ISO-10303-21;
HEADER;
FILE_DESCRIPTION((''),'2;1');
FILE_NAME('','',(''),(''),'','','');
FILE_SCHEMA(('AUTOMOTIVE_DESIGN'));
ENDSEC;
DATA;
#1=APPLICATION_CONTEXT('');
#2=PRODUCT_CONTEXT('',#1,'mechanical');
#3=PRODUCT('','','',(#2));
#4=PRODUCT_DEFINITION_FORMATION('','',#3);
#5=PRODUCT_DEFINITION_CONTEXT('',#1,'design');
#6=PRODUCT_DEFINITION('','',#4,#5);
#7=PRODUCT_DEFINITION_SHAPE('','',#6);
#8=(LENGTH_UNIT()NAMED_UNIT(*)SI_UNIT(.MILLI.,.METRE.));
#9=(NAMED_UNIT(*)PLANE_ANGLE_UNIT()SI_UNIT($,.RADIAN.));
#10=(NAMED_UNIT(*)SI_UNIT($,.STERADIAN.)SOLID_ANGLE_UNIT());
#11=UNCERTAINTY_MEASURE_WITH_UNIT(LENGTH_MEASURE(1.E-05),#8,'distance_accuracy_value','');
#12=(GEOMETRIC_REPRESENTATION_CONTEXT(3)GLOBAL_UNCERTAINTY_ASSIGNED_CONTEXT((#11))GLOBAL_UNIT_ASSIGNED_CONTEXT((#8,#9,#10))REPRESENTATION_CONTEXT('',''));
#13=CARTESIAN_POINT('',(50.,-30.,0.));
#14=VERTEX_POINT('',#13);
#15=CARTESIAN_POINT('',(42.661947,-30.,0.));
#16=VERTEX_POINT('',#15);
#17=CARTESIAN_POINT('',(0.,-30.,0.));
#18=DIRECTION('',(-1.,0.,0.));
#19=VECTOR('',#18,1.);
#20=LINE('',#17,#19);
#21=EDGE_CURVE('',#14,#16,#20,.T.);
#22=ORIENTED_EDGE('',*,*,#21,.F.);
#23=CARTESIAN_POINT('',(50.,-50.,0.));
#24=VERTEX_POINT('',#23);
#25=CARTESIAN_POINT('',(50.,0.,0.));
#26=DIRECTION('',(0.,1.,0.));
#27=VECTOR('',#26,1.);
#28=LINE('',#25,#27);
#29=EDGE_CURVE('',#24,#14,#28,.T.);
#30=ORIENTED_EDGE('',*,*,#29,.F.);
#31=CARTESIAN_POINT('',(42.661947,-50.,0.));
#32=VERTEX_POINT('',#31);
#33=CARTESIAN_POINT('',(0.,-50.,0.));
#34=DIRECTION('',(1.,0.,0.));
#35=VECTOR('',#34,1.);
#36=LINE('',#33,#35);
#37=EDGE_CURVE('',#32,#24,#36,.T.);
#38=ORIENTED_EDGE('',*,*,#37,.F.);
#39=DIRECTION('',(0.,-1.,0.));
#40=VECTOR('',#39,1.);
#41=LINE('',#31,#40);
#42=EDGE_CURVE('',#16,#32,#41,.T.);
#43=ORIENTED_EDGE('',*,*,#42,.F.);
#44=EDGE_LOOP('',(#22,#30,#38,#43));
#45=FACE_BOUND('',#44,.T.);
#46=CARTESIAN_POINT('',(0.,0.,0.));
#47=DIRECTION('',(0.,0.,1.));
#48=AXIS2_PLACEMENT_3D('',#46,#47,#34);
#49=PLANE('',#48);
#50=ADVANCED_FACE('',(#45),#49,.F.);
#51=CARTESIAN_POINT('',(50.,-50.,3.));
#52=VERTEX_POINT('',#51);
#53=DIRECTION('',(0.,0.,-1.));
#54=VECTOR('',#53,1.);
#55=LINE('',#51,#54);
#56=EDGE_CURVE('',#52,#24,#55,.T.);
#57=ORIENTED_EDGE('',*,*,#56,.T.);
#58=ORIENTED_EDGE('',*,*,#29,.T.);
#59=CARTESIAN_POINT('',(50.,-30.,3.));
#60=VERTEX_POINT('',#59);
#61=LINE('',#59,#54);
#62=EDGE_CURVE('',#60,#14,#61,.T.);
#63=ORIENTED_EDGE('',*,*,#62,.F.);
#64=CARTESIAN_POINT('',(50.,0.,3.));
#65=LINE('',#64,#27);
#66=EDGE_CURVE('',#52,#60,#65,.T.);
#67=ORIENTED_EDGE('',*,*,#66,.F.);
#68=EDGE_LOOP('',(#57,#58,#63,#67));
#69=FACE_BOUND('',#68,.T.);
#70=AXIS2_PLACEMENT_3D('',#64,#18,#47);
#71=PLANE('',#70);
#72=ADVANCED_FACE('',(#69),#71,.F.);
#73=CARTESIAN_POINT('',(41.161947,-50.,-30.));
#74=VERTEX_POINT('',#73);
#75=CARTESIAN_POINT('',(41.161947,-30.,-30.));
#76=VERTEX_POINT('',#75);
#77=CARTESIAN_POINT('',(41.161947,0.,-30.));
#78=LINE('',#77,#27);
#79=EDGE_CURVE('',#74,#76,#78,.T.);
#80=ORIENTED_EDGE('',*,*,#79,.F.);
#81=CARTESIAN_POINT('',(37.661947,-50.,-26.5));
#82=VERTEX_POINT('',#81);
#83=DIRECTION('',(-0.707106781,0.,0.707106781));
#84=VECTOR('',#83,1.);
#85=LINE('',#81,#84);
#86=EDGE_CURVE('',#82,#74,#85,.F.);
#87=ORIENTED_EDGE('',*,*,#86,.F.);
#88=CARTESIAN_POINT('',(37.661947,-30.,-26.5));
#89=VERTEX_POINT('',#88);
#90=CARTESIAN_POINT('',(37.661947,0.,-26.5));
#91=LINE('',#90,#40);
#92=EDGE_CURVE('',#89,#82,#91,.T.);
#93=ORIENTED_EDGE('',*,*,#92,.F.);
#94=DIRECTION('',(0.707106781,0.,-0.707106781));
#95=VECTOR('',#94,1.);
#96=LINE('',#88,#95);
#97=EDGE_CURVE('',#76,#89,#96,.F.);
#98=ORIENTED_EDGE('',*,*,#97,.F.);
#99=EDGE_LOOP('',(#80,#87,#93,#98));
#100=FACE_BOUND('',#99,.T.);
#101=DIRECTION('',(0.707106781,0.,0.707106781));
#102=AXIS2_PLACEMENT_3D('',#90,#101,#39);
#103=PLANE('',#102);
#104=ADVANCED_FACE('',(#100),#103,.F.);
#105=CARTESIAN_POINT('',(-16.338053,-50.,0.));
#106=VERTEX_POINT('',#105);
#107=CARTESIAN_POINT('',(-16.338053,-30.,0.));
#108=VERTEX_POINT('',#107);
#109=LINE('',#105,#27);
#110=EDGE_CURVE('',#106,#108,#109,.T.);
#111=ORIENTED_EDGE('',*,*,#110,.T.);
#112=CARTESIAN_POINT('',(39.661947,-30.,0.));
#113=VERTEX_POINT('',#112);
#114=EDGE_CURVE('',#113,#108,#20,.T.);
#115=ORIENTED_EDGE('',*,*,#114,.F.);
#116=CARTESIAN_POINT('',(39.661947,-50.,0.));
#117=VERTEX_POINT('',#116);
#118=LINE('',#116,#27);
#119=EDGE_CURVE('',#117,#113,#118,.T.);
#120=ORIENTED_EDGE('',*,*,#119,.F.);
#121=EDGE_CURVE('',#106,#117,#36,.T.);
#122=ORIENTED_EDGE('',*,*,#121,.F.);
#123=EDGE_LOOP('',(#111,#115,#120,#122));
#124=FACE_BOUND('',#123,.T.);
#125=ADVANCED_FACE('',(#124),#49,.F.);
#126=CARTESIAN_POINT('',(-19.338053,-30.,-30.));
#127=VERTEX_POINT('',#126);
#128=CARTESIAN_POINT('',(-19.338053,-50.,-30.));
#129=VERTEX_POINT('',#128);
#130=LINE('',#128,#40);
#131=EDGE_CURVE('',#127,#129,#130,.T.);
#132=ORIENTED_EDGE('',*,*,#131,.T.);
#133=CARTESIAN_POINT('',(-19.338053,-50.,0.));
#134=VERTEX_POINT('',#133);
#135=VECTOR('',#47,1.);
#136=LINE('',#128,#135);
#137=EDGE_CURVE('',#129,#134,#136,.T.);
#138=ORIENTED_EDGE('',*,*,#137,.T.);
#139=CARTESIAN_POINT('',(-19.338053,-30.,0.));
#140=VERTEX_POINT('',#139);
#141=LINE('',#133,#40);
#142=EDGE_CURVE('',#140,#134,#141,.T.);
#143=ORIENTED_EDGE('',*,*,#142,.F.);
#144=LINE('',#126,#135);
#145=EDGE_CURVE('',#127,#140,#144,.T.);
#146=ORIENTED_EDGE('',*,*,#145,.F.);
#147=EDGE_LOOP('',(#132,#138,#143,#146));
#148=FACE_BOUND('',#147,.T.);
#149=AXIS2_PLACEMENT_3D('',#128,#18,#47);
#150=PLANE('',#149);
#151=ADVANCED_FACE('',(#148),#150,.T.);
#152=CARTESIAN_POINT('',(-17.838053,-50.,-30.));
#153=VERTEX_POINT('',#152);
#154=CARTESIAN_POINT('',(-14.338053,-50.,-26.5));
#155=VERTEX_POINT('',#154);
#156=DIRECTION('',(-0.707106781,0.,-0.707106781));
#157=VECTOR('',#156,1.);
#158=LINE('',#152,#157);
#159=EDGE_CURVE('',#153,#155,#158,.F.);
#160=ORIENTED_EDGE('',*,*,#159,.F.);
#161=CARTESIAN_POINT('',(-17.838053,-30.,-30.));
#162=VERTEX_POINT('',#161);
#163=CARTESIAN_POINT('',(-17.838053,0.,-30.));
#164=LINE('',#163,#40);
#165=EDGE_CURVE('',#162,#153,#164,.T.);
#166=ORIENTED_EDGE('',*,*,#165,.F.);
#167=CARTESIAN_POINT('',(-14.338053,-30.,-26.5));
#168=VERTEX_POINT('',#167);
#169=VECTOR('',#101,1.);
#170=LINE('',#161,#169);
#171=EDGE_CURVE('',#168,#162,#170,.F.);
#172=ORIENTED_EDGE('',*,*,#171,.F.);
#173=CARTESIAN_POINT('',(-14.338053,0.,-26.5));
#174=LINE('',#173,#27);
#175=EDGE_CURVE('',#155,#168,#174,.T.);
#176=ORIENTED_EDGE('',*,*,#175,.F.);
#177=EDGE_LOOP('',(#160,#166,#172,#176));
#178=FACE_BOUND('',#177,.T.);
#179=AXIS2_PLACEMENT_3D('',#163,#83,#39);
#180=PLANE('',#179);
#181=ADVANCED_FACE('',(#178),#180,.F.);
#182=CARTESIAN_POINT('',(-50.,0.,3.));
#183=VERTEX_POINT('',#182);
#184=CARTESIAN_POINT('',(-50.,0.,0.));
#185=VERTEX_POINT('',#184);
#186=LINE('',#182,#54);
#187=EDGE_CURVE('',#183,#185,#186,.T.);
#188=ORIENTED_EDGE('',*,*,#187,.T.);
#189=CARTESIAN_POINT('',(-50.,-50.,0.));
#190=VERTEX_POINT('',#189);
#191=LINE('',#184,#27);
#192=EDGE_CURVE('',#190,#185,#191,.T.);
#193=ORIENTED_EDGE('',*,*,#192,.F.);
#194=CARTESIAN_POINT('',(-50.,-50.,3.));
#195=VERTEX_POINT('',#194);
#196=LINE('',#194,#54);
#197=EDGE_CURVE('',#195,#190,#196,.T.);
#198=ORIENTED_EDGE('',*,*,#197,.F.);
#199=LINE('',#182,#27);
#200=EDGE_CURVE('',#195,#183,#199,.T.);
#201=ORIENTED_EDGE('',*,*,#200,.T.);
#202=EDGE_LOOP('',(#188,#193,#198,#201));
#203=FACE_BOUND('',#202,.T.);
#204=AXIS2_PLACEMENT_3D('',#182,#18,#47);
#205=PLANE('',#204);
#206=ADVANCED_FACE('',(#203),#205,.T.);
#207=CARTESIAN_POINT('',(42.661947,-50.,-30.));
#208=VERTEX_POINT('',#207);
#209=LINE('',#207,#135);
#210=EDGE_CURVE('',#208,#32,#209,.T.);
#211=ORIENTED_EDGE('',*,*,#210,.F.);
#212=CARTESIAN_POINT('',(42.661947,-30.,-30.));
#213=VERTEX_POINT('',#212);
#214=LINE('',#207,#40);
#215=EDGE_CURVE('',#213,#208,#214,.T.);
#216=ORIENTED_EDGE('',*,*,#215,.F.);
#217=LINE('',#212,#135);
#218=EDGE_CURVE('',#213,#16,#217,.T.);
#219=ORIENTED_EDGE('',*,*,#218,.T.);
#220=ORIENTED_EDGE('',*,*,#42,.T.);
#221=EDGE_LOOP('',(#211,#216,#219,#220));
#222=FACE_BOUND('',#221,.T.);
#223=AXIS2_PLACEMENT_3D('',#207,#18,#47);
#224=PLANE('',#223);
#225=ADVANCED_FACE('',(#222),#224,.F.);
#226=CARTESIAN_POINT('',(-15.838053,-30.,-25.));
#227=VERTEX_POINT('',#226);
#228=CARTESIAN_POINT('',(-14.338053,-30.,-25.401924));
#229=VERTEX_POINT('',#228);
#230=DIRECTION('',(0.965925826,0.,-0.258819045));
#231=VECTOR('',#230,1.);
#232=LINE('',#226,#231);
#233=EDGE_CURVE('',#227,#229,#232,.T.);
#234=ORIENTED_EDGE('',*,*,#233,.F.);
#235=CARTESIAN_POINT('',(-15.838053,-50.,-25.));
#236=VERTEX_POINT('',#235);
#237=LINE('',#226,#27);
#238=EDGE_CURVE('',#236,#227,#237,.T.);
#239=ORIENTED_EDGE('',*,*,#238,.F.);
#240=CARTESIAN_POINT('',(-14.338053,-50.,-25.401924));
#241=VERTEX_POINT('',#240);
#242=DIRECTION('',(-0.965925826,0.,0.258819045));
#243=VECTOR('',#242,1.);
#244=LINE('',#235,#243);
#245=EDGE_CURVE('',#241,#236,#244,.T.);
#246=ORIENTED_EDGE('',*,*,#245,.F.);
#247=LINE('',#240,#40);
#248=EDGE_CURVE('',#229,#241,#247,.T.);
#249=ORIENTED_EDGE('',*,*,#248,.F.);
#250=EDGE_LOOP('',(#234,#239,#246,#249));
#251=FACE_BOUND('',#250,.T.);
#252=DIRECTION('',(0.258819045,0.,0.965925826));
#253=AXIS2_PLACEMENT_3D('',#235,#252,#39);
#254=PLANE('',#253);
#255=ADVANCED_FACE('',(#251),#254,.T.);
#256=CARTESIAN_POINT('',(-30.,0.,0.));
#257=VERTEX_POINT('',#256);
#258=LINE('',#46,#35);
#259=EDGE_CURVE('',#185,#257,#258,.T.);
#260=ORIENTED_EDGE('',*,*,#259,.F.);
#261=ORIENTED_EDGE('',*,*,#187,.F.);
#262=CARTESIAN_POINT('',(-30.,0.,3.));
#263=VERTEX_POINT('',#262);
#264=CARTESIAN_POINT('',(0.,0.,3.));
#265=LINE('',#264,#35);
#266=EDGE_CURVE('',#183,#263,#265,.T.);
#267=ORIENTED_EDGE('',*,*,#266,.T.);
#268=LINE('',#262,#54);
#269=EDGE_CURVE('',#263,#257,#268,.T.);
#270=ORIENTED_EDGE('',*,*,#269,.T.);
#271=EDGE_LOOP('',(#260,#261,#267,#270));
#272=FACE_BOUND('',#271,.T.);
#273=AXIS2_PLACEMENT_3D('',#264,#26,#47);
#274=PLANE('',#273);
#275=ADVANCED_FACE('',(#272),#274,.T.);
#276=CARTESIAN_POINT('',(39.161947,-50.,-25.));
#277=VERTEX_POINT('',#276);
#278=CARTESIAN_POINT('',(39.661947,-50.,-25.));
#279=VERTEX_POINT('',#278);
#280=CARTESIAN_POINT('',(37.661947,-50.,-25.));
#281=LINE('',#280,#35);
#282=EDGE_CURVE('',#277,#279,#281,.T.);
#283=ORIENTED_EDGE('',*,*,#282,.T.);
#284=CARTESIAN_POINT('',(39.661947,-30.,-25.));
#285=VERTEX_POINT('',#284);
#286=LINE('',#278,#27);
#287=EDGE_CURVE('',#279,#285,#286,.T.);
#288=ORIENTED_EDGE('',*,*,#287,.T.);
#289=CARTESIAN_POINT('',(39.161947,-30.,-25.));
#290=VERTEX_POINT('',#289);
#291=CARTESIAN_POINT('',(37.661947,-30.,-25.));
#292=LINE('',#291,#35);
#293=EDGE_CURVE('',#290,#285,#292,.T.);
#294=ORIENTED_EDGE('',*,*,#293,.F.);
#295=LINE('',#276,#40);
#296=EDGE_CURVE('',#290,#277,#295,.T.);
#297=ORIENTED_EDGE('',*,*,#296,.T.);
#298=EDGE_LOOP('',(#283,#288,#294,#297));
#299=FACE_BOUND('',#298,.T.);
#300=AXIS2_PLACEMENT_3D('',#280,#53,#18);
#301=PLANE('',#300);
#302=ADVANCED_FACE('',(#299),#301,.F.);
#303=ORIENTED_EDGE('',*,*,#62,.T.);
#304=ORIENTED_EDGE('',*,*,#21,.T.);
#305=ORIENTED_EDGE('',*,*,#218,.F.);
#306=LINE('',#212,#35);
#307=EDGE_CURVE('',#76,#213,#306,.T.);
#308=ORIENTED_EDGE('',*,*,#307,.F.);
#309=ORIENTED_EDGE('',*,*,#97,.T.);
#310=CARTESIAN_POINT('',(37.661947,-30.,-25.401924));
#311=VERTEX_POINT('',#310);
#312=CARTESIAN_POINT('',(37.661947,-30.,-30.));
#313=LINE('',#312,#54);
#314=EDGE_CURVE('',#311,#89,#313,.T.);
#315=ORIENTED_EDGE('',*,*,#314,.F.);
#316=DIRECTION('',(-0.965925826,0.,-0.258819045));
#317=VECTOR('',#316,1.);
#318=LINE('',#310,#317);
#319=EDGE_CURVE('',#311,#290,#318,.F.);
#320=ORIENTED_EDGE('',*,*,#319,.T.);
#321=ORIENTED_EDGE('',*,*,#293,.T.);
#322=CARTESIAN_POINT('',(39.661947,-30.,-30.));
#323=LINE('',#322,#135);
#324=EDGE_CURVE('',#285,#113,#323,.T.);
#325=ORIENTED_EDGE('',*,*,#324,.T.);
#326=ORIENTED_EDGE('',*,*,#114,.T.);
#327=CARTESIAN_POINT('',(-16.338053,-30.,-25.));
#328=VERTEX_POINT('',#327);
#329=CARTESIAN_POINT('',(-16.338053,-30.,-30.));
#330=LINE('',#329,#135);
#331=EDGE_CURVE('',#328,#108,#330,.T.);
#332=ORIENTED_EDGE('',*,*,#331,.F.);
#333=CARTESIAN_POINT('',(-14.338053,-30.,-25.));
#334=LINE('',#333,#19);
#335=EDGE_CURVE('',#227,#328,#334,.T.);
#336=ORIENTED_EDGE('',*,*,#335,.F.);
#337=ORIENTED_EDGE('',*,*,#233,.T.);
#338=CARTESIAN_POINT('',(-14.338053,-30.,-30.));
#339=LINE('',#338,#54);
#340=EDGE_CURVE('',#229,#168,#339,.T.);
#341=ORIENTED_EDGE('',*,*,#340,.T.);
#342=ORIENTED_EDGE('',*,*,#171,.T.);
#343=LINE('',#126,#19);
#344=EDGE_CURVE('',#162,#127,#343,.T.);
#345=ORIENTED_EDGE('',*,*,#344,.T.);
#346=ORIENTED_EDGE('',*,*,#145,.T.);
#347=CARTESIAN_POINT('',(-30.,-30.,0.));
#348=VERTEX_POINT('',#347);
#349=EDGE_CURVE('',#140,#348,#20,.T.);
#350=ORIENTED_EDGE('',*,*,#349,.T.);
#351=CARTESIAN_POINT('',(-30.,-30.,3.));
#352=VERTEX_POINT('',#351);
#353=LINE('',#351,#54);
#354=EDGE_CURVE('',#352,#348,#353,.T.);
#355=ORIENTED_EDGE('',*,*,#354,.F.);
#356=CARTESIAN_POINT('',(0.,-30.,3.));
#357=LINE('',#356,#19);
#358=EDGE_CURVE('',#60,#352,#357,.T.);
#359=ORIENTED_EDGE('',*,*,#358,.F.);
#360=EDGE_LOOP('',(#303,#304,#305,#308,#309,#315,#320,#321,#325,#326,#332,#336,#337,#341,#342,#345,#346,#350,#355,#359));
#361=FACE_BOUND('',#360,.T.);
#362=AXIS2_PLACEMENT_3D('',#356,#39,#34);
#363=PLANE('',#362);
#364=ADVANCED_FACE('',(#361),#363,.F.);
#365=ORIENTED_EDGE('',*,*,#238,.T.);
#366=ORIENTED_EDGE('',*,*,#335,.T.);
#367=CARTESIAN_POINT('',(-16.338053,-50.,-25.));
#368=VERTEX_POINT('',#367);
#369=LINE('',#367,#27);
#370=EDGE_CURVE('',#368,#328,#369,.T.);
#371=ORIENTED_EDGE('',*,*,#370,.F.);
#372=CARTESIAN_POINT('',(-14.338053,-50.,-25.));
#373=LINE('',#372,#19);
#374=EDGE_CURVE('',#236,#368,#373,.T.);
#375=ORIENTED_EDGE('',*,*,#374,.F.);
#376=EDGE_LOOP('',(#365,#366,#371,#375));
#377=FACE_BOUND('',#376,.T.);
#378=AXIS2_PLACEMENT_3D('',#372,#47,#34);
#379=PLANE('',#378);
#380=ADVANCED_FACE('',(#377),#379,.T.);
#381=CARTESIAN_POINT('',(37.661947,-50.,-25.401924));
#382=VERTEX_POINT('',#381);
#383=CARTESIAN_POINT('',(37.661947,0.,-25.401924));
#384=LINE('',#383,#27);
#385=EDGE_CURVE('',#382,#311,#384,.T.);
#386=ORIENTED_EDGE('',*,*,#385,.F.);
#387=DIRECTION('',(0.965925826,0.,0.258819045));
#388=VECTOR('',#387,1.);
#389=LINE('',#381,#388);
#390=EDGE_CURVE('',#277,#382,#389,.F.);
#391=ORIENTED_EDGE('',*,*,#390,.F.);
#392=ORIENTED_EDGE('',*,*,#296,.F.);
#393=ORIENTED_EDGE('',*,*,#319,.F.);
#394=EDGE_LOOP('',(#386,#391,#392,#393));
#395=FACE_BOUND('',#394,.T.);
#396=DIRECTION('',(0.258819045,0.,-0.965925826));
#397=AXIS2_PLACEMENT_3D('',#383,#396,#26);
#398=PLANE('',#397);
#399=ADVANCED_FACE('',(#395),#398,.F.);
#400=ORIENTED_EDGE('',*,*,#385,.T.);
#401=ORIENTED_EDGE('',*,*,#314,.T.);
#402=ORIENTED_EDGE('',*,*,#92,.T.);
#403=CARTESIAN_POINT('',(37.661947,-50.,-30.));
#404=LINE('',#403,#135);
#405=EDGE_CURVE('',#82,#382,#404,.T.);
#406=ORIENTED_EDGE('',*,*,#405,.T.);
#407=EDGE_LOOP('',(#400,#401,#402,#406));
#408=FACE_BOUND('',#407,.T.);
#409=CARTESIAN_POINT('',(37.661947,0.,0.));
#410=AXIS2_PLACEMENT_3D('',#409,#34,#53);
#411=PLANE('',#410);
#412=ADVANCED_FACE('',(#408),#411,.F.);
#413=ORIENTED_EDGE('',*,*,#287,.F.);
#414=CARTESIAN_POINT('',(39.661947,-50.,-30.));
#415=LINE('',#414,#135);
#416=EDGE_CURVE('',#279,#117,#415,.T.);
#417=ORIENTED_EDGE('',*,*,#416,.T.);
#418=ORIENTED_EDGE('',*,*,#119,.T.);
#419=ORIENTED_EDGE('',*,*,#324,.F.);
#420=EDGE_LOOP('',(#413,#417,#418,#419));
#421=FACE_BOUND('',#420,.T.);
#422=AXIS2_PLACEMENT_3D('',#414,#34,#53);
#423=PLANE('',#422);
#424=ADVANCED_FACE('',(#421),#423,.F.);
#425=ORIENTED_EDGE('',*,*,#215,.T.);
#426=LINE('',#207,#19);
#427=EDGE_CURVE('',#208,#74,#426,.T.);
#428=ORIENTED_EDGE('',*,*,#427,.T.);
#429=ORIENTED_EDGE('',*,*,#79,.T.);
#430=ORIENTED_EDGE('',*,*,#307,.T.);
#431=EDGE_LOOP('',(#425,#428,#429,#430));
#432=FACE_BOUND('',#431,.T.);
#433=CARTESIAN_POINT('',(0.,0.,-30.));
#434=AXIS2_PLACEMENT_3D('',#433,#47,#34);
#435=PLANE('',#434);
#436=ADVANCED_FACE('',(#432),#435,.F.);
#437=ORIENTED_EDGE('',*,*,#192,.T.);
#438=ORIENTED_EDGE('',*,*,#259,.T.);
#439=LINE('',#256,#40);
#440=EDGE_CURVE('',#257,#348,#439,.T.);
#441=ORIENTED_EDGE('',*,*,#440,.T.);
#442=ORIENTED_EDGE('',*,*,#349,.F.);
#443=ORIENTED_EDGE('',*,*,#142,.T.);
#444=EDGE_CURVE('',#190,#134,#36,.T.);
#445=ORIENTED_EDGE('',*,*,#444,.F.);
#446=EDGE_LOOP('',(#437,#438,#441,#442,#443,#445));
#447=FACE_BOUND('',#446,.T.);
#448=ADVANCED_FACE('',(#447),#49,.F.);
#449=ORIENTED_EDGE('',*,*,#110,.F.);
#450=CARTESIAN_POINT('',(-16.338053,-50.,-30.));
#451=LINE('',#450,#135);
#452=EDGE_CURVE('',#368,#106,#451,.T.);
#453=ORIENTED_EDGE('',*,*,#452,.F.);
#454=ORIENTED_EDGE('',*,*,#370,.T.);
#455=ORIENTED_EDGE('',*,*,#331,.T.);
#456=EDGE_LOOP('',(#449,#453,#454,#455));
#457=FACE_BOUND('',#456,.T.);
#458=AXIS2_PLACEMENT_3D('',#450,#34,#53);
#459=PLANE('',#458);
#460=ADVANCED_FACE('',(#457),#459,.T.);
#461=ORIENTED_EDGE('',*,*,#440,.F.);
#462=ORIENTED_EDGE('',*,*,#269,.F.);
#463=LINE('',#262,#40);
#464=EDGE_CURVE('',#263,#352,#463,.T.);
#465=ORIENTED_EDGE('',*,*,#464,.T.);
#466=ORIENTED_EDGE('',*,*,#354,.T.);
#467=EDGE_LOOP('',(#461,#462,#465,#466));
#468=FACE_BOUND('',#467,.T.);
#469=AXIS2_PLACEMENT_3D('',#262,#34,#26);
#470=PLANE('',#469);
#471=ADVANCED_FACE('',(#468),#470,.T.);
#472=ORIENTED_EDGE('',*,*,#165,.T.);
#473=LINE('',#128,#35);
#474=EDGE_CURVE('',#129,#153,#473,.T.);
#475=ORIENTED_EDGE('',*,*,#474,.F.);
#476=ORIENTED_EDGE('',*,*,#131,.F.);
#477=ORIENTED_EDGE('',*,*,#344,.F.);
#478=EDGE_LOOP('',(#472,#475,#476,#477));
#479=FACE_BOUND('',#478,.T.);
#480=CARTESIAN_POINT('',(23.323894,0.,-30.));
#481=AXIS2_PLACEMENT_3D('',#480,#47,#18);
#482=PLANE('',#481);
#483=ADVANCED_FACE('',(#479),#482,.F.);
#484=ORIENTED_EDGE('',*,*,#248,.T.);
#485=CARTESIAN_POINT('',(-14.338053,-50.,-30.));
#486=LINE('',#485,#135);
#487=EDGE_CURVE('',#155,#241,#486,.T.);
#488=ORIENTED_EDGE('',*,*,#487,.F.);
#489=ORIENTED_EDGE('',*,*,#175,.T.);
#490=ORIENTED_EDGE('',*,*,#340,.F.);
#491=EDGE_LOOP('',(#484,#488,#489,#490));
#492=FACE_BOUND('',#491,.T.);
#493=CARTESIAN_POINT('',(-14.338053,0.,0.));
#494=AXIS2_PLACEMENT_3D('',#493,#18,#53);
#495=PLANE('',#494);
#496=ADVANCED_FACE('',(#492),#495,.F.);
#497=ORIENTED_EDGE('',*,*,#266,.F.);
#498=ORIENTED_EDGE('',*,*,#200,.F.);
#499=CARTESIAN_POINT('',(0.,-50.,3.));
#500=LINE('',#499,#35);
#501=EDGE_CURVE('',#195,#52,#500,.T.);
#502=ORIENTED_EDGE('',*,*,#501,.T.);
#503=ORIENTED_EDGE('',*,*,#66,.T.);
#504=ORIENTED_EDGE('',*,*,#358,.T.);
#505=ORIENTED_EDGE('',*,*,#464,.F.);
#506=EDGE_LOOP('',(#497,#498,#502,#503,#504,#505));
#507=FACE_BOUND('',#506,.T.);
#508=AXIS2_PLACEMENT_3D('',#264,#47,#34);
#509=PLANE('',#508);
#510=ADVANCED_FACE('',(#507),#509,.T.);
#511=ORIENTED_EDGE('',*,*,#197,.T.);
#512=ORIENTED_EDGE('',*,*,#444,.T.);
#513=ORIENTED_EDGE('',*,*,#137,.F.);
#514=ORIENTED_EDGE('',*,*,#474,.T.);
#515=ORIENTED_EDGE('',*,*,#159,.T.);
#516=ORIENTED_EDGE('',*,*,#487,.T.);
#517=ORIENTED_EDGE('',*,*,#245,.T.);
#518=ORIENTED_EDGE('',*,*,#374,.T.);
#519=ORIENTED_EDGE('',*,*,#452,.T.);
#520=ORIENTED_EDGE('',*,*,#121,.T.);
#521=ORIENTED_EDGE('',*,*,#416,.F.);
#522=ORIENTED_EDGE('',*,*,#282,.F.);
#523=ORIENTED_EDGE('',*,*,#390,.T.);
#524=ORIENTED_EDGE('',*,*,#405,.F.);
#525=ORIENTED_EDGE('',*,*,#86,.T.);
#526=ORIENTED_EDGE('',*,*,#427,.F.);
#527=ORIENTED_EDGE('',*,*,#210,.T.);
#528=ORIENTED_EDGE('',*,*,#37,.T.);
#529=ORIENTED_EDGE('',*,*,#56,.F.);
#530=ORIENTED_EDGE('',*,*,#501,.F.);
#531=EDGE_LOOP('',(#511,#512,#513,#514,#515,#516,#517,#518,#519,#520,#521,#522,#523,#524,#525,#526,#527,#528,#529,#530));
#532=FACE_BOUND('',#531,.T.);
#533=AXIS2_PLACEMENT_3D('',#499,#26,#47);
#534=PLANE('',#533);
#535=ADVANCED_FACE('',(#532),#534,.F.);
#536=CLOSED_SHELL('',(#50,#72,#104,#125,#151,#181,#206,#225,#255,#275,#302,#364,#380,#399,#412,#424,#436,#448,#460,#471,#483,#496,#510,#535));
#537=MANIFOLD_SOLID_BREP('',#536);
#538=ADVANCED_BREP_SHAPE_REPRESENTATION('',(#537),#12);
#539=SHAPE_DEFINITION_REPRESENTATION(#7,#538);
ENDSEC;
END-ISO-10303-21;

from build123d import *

# Parameters (mm, degrees)
BOSS_EXTRU_1_DEPTH            = 3
ESQUISSE2_W                   = 3
ESQUISSE2_H                   = 20
BOSS_EXTRU_2_DEPTH            = 30
ESQUISSE3_W                   = 5
ESQUISSE3_H                   = 20
BOSS_EXTRU_3_DEPTH            = 2
CHANFREIN1_SIZE               = 3.5
CHANFREIN2_SIZE               = 1.5
CHANFREIN2_SIZE2              = 0.401923789
CHANFREIN1_OF_SYM_TRIE1_SIZE  = 3.5
CHANFREIN2_OF_SYM_TRIE1_SIZE2 = 1.5
CHANFREIN2_OF_SYM_TRIE1_SIZE  = 0.401923789


with BuildPart() as part:
    # Esquisse1 → Boss.-Extru.1 (new body)
    with BuildSketch(Plane.XY):
        Polygon((-50, 0), (-50, -50), (50, -50), (50, -30), (-30, -30), (-30, 0), align=None)
    extrude(amount=BOSS_EXTRU_1_DEPTH)

    # Esquisse2 → Boss.-Extru.2 (add)
    with BuildSketch(Plane(origin=(0, 0, 0), x_dir=(-1, 0, 0), z_dir=(0, 0, -1))):
        with Locations((-41.161947113, -40)):
            Rectangle(ESQUISSE2_W, ESQUISSE2_H)
    boss_extru_2 = extrude(amount=BOSS_EXTRU_2_DEPTH)

    # Esquisse3 → Boss.-Extru.3 (add)
    with BuildSketch(Plane.ZY.offset(-39.661947113)):
        with Locations((-27.5, -40)):
            Rectangle(ESQUISSE3_W, ESQUISSE3_H)
    boss_extru_3 = extrude(amount=BOSS_EXTRU_3_DEPTH)

    # Chanfrein1
    chanfrein1_edges = [part.edges().sort_by_distance(p)[0] for p in [
        (37.661947113, -40, -30),
    ]]
    chamfer(chanfrein1_edges, length=CHANFREIN1_SIZE)

    # Chanfrein2
    chanfrein2_edges = [part.edges().sort_by_distance(p)[0] for p in [
        (37.661947113, -40, -25),
    ]]
    chanfrein2_side = [part.faces().sort_by_distance(p)[0] for p in [
        (38.661947113, -40, -25),
    ]]
    chamfer(chanfrein2_edges, length=CHANFREIN2_SIZE, length2=CHANFREIN2_SIZE2, reference=chanfrein2_side[0])

    # Symétrie1: Boss.-Extru.2, Boss.-Extru.3 across plane
    add(boss_extru_2.mirror(Plane.ZY.offset(-11.661947113)))
    add(boss_extru_3.mirror(Plane.ZY.offset(-11.661947113)))

    # Chanfrein1 of Symétrie1
    chanfrein1_of_sym_trie1_edges = [part.edges().sort_by_distance(p)[0] for p in [
        (-14.338052887, -40, -30),
    ]]
    chamfer(chanfrein1_of_sym_trie1_edges, length=CHANFREIN1_OF_SYM_TRIE1_SIZE)

    # Chanfrein2 of Symétrie1
    chanfrein2_of_sym_trie1_edges = [part.edges().sort_by_distance(p)[0] for p in [
        (-14.338052887, -40, -25),
    ]]
    chamfer(chanfrein2_of_sym_trie1_edges, length=CHANFREIN2_OF_SYM_TRIE1_SIZE, length2=CHANFREIN2_OF_SYM_TRIE1_SIZE2)


solid = part.part
